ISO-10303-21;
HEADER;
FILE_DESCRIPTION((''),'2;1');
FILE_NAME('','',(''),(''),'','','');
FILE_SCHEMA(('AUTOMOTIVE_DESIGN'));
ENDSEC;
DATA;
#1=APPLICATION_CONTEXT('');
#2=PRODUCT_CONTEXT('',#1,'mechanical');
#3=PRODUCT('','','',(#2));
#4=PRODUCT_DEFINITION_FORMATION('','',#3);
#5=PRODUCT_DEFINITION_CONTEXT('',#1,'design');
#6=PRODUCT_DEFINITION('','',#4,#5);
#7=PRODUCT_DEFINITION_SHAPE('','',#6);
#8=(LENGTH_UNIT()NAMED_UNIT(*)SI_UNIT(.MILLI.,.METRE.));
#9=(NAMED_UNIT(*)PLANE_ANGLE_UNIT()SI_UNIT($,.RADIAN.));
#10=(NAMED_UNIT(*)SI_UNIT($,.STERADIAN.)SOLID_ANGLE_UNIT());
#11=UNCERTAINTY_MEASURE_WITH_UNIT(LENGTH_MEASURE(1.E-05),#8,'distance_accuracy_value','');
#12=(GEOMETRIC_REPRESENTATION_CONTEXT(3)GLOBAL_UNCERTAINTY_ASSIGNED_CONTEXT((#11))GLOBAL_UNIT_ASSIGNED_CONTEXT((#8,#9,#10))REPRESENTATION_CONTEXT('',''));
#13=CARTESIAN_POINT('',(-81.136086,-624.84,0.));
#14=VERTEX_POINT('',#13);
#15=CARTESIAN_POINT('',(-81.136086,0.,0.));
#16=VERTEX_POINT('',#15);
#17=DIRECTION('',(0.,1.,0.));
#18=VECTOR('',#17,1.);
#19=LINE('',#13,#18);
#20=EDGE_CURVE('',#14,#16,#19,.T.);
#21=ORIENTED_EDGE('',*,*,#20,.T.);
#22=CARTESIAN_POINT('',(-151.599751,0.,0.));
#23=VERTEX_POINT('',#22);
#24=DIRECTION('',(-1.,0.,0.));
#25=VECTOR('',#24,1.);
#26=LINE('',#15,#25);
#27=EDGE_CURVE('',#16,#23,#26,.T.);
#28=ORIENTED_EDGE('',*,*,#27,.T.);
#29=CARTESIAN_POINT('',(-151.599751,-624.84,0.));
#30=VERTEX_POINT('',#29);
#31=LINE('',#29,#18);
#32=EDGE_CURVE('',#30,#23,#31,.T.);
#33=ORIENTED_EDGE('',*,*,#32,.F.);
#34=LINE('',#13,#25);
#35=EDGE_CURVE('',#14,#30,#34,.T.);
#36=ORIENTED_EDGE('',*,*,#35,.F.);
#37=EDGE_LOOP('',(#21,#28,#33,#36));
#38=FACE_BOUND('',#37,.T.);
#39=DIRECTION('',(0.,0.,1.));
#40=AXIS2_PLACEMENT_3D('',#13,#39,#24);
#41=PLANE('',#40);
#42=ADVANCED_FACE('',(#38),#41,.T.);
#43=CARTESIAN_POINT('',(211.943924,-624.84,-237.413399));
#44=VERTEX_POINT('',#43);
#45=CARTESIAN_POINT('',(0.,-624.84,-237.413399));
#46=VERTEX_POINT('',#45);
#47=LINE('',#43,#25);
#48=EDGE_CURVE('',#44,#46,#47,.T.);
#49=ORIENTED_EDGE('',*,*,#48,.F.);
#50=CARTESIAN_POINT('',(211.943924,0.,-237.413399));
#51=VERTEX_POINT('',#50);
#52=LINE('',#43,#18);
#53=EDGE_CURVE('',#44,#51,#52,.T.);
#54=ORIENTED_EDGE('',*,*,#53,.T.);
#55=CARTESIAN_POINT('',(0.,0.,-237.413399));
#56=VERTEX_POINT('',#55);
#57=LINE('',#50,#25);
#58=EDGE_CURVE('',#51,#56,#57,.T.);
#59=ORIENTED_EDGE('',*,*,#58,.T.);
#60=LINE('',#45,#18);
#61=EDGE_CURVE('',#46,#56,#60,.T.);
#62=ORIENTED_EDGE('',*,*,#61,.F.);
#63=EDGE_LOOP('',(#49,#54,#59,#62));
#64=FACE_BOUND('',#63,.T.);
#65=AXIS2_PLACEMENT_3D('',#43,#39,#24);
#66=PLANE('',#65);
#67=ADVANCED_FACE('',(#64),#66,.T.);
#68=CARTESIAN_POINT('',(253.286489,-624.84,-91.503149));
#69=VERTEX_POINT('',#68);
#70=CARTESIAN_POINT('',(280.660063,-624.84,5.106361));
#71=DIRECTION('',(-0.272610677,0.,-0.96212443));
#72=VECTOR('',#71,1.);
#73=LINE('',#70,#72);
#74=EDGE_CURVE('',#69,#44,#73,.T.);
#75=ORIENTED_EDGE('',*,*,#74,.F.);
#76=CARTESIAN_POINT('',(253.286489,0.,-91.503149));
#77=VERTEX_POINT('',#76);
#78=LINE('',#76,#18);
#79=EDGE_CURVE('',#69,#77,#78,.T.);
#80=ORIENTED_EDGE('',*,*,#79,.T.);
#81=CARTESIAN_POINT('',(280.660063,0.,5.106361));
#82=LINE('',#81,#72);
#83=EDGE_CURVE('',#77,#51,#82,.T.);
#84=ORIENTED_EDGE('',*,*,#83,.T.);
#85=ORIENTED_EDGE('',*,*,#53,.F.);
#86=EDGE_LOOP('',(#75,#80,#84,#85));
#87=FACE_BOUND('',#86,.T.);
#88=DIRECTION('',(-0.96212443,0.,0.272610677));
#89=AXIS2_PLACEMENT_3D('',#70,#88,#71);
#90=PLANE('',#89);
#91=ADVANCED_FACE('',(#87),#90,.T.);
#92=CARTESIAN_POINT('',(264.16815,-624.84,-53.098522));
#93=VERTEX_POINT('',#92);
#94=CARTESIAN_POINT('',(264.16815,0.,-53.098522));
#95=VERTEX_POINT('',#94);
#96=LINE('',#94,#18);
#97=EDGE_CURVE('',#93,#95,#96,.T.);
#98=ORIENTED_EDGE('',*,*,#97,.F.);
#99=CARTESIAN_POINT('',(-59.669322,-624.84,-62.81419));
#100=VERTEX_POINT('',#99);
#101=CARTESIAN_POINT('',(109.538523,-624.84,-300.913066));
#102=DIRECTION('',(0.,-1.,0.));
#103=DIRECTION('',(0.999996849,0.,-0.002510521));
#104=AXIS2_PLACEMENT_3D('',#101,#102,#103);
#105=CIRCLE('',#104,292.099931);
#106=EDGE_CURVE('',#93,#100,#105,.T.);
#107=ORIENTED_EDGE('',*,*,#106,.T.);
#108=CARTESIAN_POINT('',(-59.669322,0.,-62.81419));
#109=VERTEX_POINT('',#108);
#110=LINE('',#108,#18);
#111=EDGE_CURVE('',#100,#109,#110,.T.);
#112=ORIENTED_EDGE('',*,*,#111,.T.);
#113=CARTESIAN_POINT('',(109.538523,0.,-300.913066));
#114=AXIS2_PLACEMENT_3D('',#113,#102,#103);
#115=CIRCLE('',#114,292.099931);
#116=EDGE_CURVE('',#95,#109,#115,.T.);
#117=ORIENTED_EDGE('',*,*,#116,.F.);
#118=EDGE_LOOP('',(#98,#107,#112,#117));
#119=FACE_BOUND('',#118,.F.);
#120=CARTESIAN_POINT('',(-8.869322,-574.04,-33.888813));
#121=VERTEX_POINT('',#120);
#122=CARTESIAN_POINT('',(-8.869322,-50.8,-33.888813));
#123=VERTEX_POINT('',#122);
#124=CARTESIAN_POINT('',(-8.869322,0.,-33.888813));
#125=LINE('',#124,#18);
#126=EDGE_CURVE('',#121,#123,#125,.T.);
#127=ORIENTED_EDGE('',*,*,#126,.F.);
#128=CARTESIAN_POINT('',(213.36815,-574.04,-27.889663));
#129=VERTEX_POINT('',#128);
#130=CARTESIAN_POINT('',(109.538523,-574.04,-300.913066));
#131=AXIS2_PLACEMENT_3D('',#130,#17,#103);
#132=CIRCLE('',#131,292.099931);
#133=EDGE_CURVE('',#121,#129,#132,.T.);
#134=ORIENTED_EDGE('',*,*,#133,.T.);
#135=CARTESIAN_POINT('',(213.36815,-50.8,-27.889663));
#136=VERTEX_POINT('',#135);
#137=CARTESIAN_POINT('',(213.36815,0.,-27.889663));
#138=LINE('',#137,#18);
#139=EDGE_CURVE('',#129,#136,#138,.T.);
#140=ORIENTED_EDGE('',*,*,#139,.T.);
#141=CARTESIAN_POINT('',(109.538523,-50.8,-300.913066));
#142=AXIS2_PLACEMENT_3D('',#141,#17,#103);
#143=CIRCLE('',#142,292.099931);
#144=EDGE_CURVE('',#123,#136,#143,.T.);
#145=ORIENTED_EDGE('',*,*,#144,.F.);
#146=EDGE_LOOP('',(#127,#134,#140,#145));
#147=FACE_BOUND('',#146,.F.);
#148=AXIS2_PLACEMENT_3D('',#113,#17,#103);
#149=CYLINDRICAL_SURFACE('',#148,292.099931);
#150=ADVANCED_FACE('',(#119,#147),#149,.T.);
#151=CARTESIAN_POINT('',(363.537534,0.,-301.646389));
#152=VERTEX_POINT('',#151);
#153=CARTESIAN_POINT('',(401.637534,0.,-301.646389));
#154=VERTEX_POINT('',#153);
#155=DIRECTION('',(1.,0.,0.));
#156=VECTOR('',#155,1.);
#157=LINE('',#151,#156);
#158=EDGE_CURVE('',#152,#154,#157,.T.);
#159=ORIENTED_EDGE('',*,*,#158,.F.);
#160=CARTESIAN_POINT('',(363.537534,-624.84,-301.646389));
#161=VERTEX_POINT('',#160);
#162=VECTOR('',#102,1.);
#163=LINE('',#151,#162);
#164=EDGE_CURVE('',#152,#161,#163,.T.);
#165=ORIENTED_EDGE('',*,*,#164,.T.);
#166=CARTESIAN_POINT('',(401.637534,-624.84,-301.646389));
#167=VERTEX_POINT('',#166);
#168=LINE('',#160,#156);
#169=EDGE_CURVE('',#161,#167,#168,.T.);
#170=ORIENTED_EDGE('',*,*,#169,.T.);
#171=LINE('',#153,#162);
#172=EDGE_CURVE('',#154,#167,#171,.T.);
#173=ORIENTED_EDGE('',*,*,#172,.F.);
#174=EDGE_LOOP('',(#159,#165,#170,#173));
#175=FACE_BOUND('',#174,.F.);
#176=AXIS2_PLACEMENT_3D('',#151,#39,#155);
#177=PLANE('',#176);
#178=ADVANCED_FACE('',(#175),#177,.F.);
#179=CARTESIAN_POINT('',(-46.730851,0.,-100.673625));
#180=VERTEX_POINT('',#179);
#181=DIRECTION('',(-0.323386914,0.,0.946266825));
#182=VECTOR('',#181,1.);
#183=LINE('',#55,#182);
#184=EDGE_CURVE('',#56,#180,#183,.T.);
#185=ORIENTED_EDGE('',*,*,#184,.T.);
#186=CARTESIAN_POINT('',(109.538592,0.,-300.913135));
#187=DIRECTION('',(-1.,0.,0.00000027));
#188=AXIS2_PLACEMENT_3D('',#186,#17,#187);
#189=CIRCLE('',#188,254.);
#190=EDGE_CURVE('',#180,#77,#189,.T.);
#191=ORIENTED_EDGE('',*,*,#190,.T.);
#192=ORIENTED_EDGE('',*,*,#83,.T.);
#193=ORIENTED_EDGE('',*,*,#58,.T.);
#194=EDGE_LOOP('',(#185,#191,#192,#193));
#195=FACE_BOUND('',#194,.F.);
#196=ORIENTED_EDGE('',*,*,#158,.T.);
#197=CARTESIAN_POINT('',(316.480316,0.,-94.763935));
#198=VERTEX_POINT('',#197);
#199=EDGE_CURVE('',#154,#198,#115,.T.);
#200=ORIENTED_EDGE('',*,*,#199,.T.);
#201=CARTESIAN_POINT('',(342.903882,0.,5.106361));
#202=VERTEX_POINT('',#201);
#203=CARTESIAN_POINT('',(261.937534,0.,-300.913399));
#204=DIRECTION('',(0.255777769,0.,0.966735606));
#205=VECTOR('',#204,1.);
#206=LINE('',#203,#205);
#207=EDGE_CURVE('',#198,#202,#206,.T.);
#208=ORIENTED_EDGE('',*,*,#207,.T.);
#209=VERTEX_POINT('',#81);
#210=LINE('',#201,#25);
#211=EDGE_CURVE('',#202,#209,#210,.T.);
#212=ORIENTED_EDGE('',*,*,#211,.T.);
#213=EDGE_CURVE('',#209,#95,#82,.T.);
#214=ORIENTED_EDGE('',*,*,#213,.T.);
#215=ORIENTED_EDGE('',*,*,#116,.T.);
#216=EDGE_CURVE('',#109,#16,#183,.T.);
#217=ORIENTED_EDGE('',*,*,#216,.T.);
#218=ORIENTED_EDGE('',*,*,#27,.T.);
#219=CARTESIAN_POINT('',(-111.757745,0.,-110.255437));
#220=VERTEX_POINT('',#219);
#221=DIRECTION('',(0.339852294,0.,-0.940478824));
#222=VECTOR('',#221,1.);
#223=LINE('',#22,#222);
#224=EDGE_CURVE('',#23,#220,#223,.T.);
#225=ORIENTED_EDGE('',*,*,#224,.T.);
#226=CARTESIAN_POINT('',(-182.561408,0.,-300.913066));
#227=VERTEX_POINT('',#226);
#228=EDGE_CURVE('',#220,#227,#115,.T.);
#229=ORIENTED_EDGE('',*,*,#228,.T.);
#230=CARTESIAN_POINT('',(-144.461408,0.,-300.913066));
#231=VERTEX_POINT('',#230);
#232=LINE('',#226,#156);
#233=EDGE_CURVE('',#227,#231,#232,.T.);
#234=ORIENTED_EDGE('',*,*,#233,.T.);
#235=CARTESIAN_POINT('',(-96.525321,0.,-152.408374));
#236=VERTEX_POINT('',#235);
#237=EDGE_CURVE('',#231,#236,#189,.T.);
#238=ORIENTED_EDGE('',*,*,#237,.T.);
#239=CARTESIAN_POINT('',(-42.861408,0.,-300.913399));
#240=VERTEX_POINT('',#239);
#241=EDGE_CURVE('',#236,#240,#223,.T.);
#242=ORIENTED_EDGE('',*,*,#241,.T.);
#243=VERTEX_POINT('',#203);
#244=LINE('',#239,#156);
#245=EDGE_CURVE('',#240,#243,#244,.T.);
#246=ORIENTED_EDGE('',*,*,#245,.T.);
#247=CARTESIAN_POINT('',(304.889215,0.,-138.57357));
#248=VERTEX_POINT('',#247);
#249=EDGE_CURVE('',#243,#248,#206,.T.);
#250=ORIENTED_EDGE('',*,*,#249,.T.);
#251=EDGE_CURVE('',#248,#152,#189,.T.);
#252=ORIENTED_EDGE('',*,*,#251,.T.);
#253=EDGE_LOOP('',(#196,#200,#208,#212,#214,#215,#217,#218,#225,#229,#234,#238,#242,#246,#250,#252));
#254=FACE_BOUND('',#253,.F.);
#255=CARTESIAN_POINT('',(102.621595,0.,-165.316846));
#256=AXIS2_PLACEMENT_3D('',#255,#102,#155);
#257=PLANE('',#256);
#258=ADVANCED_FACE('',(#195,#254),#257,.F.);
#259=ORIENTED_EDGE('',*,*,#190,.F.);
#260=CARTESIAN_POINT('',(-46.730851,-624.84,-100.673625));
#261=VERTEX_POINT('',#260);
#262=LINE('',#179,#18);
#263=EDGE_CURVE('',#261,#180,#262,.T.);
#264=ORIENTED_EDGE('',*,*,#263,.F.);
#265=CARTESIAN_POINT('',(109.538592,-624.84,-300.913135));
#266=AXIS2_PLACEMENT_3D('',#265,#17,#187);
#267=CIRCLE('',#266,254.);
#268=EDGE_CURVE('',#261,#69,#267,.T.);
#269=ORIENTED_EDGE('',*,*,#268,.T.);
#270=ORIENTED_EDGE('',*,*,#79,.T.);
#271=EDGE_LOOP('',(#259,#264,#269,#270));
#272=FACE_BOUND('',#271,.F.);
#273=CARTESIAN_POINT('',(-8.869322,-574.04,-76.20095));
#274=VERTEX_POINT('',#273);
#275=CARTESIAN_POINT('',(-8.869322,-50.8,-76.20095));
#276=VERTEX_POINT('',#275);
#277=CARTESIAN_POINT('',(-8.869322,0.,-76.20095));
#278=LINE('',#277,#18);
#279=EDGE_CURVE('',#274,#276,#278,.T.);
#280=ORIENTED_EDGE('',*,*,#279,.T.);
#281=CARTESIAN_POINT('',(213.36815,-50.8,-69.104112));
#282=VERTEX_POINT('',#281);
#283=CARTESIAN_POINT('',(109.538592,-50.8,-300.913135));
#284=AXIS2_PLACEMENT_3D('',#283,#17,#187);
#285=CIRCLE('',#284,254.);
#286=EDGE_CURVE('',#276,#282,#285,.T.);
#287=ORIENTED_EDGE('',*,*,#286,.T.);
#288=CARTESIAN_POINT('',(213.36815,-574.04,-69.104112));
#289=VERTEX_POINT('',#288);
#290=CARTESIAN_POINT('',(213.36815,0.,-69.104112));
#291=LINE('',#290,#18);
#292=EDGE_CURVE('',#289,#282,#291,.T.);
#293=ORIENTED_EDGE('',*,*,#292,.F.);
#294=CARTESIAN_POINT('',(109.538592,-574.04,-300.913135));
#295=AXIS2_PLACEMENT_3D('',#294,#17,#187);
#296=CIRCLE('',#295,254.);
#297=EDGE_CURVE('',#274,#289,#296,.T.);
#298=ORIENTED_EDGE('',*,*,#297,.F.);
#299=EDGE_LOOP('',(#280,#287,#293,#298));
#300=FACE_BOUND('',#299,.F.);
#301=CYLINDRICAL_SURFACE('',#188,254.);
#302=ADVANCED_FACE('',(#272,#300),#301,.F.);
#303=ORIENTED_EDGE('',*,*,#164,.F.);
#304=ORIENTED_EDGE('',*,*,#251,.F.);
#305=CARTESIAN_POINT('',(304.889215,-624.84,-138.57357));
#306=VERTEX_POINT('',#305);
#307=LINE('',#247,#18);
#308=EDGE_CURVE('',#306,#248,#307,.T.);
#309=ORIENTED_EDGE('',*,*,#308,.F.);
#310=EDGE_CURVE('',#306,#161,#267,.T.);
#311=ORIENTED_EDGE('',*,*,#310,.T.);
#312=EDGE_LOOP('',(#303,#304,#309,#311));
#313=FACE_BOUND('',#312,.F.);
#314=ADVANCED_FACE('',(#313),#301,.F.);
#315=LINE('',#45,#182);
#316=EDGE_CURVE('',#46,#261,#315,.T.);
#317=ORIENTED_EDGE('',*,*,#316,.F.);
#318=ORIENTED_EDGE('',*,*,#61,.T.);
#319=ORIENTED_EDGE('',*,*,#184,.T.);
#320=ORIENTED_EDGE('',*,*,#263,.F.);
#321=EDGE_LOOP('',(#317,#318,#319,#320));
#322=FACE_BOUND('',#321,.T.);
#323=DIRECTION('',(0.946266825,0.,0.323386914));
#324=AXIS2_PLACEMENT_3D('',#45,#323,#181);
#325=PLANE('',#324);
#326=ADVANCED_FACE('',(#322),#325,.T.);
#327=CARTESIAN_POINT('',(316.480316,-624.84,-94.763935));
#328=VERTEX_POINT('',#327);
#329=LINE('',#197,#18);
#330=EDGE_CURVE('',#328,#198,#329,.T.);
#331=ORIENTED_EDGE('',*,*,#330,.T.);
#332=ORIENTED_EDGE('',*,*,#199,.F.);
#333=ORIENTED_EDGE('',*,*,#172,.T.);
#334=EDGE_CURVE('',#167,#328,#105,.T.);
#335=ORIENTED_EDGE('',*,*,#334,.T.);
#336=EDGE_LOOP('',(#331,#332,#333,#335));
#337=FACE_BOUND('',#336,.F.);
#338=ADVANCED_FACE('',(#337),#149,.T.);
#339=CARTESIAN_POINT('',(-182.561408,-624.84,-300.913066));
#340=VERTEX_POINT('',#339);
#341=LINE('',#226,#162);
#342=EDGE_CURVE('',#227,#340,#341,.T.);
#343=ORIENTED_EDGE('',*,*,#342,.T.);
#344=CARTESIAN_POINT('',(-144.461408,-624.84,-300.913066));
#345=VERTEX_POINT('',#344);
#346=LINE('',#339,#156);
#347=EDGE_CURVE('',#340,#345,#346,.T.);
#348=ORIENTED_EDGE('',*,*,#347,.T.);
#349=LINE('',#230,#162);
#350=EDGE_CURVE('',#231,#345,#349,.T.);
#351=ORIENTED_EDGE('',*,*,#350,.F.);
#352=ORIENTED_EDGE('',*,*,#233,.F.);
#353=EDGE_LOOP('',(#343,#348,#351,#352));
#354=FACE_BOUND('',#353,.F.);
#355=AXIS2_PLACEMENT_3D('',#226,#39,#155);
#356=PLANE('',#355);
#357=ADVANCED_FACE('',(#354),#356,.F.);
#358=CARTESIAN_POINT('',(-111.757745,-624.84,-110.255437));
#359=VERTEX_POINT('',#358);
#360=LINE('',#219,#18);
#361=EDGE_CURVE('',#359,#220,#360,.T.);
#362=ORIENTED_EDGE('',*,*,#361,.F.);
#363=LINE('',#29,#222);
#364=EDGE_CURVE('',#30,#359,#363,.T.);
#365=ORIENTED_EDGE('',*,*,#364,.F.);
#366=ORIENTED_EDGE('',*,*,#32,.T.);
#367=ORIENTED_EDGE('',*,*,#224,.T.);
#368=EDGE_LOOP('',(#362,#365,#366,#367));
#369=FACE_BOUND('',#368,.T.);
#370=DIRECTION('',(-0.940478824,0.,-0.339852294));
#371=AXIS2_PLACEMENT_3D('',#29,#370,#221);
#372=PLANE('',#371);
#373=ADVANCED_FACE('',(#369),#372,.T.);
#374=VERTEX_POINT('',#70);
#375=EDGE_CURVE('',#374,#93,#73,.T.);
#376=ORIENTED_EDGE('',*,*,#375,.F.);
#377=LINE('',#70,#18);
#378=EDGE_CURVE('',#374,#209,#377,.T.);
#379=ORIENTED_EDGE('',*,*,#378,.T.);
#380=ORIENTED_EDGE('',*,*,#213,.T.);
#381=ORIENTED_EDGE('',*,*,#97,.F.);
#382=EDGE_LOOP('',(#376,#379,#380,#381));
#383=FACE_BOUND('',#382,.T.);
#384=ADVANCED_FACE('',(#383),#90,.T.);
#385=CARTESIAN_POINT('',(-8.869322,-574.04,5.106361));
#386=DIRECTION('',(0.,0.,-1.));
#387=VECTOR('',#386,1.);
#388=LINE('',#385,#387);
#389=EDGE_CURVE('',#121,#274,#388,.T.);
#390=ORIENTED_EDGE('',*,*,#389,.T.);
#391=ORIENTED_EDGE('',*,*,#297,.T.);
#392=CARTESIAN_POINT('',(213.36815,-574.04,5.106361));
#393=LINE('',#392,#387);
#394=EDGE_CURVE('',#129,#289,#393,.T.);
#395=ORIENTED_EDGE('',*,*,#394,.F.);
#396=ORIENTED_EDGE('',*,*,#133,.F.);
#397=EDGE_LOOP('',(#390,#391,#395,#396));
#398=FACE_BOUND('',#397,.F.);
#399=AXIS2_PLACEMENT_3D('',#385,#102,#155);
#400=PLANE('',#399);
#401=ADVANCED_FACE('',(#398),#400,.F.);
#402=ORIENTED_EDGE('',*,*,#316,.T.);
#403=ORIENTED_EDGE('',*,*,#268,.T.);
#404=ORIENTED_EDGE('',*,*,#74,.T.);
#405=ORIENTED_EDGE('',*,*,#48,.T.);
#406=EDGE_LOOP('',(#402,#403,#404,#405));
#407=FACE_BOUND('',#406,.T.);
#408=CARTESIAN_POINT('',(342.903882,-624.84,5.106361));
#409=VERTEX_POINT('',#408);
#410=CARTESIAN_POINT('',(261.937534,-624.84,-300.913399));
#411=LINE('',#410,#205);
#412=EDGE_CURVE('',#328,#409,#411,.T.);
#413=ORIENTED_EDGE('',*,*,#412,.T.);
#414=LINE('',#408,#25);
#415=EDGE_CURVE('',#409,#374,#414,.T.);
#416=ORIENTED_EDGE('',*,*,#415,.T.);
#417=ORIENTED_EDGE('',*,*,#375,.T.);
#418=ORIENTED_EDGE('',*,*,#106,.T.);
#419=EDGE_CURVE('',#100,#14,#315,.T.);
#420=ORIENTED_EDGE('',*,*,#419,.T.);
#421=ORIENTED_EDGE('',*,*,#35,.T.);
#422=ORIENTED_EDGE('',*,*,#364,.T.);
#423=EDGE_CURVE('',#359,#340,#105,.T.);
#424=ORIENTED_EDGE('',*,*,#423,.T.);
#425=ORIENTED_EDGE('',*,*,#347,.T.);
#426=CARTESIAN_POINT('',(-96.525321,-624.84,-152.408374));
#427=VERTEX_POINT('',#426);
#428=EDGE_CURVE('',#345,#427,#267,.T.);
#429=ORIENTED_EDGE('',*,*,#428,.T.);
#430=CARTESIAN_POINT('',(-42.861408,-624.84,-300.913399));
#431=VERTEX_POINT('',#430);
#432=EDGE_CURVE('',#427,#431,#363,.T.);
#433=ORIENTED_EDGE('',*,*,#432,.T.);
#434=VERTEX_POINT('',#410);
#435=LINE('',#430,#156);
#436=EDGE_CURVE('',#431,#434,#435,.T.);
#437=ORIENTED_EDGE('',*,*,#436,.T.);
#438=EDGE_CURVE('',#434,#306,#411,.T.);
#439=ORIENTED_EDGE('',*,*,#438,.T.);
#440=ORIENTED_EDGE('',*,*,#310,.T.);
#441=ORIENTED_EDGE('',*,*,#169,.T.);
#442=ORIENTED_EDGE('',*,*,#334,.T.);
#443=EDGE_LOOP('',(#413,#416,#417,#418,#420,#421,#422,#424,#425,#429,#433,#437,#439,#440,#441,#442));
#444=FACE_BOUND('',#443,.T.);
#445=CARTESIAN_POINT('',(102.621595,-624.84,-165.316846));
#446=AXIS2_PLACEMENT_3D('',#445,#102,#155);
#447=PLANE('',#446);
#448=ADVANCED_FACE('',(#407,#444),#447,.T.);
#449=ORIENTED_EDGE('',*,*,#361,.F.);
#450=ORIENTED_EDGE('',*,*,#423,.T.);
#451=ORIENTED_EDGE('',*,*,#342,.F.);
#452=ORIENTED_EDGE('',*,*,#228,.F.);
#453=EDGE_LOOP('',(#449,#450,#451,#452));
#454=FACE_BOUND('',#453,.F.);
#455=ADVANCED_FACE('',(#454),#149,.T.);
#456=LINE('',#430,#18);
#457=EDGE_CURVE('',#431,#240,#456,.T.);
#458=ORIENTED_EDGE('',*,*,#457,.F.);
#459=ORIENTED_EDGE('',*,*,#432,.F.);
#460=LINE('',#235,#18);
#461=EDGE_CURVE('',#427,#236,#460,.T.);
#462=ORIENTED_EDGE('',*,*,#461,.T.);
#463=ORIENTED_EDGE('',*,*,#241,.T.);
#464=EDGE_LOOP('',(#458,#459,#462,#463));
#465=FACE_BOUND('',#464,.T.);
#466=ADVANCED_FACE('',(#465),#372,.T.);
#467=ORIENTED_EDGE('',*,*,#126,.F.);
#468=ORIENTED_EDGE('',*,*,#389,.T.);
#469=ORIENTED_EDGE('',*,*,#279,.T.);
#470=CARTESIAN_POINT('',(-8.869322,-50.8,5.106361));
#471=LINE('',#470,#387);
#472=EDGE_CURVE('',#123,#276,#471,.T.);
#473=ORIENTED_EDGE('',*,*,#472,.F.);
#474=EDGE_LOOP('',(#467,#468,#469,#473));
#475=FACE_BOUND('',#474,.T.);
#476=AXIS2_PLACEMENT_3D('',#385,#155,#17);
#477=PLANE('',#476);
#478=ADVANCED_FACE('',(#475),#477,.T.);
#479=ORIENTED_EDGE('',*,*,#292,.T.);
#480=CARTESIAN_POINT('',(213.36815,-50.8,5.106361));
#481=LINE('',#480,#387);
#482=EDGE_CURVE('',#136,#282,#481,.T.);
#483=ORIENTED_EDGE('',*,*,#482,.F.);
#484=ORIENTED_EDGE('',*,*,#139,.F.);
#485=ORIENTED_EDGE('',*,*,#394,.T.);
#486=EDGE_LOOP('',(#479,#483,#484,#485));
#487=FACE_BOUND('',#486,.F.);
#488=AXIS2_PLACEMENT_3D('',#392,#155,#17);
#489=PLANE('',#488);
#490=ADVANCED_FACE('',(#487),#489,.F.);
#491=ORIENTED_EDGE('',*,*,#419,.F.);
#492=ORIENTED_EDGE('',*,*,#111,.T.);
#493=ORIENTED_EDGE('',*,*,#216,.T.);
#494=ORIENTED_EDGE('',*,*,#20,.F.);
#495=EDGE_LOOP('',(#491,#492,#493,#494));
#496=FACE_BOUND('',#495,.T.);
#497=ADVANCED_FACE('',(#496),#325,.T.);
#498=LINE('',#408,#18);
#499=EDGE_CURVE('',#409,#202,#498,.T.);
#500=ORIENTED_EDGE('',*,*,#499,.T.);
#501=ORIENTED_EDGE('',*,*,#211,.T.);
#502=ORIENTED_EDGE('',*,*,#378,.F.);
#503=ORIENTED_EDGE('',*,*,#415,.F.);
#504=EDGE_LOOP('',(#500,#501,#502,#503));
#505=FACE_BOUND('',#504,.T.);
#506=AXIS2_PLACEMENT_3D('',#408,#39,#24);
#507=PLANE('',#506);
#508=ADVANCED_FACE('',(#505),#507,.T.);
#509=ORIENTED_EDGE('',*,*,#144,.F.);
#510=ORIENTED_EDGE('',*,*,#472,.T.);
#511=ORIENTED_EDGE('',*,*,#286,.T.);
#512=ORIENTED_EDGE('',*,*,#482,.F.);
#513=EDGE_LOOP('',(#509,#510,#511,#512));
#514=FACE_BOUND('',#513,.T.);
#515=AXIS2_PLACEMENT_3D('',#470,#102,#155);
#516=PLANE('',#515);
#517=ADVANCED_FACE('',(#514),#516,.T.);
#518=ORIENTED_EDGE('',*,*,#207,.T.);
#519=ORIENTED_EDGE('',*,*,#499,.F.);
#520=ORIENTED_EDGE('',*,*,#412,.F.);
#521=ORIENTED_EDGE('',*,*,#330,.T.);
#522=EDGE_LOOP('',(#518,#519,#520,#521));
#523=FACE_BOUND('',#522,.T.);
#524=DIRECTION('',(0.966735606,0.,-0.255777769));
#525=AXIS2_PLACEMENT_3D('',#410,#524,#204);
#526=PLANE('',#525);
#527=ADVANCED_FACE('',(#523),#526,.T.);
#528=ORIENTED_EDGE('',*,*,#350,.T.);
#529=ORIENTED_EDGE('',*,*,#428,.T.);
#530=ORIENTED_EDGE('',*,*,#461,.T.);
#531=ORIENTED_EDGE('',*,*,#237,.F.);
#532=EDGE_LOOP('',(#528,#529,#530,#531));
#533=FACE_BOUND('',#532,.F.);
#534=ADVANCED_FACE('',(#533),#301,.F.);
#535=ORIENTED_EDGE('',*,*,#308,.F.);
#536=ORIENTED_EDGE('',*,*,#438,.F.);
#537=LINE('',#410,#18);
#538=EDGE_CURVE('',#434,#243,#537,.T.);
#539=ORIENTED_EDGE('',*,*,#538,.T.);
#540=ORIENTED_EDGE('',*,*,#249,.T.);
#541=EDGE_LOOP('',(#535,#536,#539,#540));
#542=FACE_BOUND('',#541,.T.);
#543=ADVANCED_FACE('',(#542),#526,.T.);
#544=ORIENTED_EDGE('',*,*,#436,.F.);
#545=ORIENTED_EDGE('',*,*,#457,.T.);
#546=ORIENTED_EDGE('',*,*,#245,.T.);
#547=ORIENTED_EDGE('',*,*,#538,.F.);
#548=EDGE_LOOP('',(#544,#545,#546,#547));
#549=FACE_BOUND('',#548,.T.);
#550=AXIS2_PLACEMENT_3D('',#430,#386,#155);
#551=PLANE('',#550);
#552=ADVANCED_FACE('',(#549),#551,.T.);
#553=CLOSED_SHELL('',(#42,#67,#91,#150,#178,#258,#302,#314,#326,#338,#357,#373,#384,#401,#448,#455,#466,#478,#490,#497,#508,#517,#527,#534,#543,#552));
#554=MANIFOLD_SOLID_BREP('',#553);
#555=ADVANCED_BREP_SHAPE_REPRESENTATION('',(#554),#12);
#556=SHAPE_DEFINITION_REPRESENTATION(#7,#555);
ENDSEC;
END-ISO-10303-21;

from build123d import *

# Parameters (mm, degrees)
F1_DEPTH = 624.84
F3_DEPTH = 624.84
F4_W     = 222.237472
F4_H     = 523.24
F5_DEPTH = 99.06


with BuildPart() as f1:
    # F0 (on Front) → F1 (new body)
    with BuildSketch(Plane.XZ):
        with BuildLine():
            Line((363.537534, -301.646389), (401.637534, -301.646389))
            ThreePointArc((401.637534, -301.646389), (109.905185, -8.813365), (-182.561408, -300.913066))
            Line((-182.561408, -300.913066), (-144.461408, -300.913066))
            ThreePointArc((-144.461408, -300.913066), (109.905254, -46.913399), (363.537534, -301.646389))
        make_face()
    extrude(amount=F1_DEPTH)

    # F2 (on face) → F3 (join)
    with BuildSketch(Plane.XZ.offset(624.84)):
        Polygon((-42.861408, -300.913399), (261.937534, -300.913399), (342.903882, 5.106361), (280.660063, 5.106361), (211.943924, -237.413399), (0, -237.413399), (-81.136086, 0), (-151.599751, 0), align=None)
    extrude(amount=-F3_DEPTH)

    # F4 (on face) → F5 (cut)
    with BuildSketch(Plane.XY.offset(5.106361)):
        with Locations((102.249414, -312.42)):
            Rectangle(F4_W, F4_H)
    extrude(amount=-F5_DEPTH, mode=Mode.SUBTRACT)


solid = f1.part
